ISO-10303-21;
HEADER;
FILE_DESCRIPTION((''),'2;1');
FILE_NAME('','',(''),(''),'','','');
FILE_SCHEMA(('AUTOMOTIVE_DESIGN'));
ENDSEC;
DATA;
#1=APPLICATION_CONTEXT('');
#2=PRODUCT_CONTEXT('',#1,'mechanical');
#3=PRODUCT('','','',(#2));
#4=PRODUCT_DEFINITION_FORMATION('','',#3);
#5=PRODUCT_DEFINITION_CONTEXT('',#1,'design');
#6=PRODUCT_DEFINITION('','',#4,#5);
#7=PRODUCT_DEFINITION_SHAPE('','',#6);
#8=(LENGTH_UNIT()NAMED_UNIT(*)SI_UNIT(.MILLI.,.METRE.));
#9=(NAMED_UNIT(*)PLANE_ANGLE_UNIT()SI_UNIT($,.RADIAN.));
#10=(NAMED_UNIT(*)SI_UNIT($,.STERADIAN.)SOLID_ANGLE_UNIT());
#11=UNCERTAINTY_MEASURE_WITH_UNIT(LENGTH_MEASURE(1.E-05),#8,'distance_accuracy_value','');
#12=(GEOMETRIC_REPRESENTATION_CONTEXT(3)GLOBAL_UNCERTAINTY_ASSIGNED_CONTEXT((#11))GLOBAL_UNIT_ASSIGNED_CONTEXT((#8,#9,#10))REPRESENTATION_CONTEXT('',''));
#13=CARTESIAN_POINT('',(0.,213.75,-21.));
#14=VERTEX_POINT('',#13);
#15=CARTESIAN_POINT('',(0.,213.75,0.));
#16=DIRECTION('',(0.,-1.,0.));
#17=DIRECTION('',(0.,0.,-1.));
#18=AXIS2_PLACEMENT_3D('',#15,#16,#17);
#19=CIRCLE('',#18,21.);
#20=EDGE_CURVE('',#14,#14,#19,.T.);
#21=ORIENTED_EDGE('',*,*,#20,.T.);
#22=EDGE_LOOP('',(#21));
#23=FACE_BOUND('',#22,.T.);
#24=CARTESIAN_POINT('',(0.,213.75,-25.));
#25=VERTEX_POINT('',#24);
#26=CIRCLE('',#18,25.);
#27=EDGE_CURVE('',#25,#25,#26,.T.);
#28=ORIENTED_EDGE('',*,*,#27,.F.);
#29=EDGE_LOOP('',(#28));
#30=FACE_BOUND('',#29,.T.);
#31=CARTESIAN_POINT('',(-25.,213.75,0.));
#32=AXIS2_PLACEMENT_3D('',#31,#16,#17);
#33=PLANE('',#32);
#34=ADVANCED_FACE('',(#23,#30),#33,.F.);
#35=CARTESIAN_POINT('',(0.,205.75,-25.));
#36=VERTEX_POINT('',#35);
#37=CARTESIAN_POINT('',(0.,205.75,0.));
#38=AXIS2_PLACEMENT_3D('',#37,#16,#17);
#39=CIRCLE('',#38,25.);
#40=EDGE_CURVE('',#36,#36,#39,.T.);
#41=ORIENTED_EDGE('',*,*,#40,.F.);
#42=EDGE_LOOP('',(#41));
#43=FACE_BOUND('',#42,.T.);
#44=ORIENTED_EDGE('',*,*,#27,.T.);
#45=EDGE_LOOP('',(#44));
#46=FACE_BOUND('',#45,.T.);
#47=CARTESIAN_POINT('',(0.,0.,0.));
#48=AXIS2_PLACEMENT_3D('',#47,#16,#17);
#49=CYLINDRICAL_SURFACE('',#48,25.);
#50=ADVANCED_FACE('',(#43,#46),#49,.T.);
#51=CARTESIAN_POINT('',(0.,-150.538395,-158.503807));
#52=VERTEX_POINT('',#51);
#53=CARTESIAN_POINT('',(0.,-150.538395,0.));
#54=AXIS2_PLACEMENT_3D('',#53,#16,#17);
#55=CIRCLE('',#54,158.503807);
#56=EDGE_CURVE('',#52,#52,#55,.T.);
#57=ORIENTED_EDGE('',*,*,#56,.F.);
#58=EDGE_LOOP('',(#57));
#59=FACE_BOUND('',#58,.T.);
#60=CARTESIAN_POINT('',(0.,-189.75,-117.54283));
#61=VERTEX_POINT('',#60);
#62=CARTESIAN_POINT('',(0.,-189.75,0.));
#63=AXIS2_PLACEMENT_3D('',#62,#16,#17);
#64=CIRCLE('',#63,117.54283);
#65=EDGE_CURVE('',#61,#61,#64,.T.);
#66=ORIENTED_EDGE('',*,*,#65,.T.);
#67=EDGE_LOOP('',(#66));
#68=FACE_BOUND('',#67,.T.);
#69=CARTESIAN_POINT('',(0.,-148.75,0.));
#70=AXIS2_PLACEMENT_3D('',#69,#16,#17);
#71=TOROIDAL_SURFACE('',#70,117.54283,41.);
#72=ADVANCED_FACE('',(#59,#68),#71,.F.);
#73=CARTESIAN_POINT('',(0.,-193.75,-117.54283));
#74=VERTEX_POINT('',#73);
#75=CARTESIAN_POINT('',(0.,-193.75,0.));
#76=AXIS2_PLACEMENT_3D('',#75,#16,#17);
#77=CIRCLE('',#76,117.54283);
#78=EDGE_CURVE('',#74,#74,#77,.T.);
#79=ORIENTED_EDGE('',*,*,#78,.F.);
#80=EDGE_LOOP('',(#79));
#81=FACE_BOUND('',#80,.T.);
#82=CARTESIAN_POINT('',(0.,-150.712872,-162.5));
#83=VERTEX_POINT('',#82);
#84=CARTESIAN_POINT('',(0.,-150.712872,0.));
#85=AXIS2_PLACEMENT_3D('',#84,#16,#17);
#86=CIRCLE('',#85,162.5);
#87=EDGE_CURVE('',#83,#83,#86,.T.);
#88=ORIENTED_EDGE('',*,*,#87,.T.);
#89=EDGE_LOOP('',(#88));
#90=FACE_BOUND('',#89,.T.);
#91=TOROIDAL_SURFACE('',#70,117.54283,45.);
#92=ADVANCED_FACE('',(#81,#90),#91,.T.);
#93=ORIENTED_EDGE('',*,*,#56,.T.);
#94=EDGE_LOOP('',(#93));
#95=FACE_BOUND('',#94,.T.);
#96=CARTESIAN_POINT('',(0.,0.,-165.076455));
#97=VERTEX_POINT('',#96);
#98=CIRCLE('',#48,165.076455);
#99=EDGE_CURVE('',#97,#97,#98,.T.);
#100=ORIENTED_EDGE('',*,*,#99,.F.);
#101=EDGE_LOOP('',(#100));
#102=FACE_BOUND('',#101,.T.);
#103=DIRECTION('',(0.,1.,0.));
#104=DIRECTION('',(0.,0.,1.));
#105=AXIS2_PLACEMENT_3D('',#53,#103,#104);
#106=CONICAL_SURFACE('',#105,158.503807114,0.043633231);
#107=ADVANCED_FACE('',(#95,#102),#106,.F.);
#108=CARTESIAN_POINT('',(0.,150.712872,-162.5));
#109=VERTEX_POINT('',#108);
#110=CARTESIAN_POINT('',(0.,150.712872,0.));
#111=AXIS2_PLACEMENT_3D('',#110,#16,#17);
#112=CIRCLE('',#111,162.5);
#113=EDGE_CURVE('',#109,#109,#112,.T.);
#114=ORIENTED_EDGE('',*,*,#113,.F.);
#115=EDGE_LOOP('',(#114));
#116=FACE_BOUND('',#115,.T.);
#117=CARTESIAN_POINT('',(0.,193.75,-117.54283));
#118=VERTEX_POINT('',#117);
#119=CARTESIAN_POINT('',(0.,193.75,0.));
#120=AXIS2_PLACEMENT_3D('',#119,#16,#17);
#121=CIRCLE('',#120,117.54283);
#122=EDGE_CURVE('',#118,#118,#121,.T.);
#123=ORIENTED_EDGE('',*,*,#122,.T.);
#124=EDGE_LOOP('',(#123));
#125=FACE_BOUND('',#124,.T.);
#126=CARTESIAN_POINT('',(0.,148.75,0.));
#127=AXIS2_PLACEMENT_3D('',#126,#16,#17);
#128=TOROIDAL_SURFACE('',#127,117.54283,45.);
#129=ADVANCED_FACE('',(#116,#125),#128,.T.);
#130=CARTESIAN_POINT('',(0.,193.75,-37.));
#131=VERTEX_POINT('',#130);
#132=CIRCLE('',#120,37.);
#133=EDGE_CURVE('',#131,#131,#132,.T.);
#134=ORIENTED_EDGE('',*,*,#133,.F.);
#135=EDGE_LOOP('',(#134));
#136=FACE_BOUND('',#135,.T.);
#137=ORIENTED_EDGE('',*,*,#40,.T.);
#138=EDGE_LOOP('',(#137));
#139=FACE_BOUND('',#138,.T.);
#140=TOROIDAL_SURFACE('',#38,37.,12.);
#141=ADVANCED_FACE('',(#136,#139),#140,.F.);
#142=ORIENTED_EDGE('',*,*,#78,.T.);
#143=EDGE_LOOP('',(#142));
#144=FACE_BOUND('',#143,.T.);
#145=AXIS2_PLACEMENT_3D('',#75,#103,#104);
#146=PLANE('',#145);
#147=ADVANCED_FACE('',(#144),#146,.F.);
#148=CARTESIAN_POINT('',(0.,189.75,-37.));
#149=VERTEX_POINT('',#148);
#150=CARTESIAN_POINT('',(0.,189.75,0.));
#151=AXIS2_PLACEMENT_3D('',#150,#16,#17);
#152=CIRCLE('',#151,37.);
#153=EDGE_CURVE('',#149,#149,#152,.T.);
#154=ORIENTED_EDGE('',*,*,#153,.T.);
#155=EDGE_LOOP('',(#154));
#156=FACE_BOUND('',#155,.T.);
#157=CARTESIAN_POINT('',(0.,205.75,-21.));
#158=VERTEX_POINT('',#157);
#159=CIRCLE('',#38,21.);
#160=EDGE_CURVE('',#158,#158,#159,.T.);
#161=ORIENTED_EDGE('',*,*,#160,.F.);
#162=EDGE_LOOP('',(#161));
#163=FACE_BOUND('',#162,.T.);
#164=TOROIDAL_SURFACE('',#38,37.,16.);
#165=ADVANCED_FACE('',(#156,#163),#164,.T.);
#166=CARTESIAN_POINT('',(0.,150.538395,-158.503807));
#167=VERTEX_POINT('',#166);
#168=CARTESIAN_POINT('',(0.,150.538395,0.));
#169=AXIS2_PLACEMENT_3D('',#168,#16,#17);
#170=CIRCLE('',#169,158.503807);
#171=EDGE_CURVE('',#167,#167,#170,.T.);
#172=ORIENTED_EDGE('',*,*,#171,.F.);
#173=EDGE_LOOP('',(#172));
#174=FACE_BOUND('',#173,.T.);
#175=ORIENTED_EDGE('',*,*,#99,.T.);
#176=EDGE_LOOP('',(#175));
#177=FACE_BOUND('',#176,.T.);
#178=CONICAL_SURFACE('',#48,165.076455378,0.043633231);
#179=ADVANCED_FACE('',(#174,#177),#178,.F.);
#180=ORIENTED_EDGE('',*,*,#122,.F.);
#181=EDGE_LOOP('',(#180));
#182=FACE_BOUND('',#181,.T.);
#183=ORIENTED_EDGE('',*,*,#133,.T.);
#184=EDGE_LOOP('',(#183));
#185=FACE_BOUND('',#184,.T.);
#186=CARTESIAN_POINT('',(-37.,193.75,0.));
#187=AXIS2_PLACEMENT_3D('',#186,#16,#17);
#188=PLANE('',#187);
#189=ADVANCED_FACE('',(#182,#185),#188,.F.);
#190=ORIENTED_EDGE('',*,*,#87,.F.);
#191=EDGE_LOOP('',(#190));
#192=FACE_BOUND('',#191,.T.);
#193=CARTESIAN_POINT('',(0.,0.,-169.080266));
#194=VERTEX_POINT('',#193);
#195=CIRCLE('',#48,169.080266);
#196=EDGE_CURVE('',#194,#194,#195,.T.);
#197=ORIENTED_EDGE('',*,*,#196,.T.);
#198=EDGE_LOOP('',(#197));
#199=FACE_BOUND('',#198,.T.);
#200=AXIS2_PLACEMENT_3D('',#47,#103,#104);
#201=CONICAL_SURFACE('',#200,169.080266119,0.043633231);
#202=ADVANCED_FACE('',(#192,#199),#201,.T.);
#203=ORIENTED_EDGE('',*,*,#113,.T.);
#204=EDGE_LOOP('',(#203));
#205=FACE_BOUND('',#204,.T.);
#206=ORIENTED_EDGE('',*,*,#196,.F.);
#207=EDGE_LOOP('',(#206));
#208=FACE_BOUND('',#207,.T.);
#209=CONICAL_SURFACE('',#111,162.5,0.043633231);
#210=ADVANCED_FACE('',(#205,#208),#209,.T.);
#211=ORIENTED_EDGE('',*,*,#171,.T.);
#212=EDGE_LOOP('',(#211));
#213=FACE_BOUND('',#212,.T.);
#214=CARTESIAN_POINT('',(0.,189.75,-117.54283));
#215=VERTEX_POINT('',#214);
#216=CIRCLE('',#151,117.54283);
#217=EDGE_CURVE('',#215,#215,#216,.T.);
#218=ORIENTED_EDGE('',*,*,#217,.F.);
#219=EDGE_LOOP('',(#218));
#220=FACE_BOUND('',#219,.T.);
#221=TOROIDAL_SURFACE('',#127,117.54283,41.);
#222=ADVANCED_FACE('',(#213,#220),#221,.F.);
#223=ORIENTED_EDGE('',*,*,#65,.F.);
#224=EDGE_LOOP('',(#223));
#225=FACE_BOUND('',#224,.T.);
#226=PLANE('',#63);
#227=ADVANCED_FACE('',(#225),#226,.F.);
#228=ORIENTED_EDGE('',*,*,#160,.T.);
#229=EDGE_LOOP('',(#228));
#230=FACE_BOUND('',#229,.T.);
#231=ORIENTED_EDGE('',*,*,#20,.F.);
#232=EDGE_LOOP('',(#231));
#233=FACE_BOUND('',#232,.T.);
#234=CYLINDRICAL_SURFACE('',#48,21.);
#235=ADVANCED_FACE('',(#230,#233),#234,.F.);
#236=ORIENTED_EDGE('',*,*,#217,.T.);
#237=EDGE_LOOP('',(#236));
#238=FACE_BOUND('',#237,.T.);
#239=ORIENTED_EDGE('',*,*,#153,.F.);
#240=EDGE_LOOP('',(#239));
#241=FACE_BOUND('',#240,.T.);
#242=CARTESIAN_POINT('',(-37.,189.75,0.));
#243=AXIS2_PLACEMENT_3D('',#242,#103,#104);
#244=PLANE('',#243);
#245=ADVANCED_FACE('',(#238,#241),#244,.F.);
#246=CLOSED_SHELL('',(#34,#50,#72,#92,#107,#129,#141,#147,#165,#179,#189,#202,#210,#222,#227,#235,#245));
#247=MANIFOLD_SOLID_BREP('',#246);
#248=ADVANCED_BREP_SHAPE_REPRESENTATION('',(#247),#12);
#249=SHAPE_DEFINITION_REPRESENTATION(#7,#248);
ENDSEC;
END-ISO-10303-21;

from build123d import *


with BuildPart() as part:
    # Sketch1 → Revolve1 (revolve)
    with BuildSketch(Plane.XY, mode=Mode.PRIVATE) as revolve1_sk:
        with BuildLine():
            Line((0, -193.75), (-117.542830029, -193.75))
            ThreePointArc((-117.542830029, -193.75), (-148.660917539, -181.256378293), (-162.5, -150.712872431))
            Line((-162.5, -150.712872431), (-169.080266119, 0))
            Line((-169.080266119, 0), (-162.5, 150.712872431))
            ThreePointArc((-162.5, 150.712872431), (-148.660917539, 181.256378293), (-117.542830029, 193.75))
            Line((-117.542830029, 193.75), (-37, 193.75))
            ThreePointArc((-37, 193.75), (-28.514718626, 197.264718626), (-25, 205.75))
            Line((-25, 205.75), (-25, 213.75))
            Line((-25, 213.75), (-21, 213.75))
            Line((-21, 213.75), (-21, 205.75))
            ThreePointArc((-21, 205.75), (-25.686291501, 194.436291501), (-37, 189.75))
            Line((-37, 189.75), (-117.542830029, 189.75))
            ThreePointArc((-117.542830029, 189.75), (-145.894865316, 178.366922444), (-158.503807114, 150.538394882))
            Line((-158.503807114, 150.538394882), (-165.076455378, 0))
            Line((-165.076455378, 0), (-158.503807114, -150.538394882))
            ThreePointArc((-158.503807114, -150.538394882), (-145.894865316, -178.366922444), (-117.542830029, -189.75))
            Line((-117.542830029, -189.75), (0, -189.75))
            Line((0, -189.75), (0, -193.75))
        make_face()
    revolve(revolve1_sk.sketch.rotate(Axis((0, 0, 0), (0, 1, 0)), 270), axis=Axis((0, 0, 0), (0, 1, 0)))


solid = part.part
